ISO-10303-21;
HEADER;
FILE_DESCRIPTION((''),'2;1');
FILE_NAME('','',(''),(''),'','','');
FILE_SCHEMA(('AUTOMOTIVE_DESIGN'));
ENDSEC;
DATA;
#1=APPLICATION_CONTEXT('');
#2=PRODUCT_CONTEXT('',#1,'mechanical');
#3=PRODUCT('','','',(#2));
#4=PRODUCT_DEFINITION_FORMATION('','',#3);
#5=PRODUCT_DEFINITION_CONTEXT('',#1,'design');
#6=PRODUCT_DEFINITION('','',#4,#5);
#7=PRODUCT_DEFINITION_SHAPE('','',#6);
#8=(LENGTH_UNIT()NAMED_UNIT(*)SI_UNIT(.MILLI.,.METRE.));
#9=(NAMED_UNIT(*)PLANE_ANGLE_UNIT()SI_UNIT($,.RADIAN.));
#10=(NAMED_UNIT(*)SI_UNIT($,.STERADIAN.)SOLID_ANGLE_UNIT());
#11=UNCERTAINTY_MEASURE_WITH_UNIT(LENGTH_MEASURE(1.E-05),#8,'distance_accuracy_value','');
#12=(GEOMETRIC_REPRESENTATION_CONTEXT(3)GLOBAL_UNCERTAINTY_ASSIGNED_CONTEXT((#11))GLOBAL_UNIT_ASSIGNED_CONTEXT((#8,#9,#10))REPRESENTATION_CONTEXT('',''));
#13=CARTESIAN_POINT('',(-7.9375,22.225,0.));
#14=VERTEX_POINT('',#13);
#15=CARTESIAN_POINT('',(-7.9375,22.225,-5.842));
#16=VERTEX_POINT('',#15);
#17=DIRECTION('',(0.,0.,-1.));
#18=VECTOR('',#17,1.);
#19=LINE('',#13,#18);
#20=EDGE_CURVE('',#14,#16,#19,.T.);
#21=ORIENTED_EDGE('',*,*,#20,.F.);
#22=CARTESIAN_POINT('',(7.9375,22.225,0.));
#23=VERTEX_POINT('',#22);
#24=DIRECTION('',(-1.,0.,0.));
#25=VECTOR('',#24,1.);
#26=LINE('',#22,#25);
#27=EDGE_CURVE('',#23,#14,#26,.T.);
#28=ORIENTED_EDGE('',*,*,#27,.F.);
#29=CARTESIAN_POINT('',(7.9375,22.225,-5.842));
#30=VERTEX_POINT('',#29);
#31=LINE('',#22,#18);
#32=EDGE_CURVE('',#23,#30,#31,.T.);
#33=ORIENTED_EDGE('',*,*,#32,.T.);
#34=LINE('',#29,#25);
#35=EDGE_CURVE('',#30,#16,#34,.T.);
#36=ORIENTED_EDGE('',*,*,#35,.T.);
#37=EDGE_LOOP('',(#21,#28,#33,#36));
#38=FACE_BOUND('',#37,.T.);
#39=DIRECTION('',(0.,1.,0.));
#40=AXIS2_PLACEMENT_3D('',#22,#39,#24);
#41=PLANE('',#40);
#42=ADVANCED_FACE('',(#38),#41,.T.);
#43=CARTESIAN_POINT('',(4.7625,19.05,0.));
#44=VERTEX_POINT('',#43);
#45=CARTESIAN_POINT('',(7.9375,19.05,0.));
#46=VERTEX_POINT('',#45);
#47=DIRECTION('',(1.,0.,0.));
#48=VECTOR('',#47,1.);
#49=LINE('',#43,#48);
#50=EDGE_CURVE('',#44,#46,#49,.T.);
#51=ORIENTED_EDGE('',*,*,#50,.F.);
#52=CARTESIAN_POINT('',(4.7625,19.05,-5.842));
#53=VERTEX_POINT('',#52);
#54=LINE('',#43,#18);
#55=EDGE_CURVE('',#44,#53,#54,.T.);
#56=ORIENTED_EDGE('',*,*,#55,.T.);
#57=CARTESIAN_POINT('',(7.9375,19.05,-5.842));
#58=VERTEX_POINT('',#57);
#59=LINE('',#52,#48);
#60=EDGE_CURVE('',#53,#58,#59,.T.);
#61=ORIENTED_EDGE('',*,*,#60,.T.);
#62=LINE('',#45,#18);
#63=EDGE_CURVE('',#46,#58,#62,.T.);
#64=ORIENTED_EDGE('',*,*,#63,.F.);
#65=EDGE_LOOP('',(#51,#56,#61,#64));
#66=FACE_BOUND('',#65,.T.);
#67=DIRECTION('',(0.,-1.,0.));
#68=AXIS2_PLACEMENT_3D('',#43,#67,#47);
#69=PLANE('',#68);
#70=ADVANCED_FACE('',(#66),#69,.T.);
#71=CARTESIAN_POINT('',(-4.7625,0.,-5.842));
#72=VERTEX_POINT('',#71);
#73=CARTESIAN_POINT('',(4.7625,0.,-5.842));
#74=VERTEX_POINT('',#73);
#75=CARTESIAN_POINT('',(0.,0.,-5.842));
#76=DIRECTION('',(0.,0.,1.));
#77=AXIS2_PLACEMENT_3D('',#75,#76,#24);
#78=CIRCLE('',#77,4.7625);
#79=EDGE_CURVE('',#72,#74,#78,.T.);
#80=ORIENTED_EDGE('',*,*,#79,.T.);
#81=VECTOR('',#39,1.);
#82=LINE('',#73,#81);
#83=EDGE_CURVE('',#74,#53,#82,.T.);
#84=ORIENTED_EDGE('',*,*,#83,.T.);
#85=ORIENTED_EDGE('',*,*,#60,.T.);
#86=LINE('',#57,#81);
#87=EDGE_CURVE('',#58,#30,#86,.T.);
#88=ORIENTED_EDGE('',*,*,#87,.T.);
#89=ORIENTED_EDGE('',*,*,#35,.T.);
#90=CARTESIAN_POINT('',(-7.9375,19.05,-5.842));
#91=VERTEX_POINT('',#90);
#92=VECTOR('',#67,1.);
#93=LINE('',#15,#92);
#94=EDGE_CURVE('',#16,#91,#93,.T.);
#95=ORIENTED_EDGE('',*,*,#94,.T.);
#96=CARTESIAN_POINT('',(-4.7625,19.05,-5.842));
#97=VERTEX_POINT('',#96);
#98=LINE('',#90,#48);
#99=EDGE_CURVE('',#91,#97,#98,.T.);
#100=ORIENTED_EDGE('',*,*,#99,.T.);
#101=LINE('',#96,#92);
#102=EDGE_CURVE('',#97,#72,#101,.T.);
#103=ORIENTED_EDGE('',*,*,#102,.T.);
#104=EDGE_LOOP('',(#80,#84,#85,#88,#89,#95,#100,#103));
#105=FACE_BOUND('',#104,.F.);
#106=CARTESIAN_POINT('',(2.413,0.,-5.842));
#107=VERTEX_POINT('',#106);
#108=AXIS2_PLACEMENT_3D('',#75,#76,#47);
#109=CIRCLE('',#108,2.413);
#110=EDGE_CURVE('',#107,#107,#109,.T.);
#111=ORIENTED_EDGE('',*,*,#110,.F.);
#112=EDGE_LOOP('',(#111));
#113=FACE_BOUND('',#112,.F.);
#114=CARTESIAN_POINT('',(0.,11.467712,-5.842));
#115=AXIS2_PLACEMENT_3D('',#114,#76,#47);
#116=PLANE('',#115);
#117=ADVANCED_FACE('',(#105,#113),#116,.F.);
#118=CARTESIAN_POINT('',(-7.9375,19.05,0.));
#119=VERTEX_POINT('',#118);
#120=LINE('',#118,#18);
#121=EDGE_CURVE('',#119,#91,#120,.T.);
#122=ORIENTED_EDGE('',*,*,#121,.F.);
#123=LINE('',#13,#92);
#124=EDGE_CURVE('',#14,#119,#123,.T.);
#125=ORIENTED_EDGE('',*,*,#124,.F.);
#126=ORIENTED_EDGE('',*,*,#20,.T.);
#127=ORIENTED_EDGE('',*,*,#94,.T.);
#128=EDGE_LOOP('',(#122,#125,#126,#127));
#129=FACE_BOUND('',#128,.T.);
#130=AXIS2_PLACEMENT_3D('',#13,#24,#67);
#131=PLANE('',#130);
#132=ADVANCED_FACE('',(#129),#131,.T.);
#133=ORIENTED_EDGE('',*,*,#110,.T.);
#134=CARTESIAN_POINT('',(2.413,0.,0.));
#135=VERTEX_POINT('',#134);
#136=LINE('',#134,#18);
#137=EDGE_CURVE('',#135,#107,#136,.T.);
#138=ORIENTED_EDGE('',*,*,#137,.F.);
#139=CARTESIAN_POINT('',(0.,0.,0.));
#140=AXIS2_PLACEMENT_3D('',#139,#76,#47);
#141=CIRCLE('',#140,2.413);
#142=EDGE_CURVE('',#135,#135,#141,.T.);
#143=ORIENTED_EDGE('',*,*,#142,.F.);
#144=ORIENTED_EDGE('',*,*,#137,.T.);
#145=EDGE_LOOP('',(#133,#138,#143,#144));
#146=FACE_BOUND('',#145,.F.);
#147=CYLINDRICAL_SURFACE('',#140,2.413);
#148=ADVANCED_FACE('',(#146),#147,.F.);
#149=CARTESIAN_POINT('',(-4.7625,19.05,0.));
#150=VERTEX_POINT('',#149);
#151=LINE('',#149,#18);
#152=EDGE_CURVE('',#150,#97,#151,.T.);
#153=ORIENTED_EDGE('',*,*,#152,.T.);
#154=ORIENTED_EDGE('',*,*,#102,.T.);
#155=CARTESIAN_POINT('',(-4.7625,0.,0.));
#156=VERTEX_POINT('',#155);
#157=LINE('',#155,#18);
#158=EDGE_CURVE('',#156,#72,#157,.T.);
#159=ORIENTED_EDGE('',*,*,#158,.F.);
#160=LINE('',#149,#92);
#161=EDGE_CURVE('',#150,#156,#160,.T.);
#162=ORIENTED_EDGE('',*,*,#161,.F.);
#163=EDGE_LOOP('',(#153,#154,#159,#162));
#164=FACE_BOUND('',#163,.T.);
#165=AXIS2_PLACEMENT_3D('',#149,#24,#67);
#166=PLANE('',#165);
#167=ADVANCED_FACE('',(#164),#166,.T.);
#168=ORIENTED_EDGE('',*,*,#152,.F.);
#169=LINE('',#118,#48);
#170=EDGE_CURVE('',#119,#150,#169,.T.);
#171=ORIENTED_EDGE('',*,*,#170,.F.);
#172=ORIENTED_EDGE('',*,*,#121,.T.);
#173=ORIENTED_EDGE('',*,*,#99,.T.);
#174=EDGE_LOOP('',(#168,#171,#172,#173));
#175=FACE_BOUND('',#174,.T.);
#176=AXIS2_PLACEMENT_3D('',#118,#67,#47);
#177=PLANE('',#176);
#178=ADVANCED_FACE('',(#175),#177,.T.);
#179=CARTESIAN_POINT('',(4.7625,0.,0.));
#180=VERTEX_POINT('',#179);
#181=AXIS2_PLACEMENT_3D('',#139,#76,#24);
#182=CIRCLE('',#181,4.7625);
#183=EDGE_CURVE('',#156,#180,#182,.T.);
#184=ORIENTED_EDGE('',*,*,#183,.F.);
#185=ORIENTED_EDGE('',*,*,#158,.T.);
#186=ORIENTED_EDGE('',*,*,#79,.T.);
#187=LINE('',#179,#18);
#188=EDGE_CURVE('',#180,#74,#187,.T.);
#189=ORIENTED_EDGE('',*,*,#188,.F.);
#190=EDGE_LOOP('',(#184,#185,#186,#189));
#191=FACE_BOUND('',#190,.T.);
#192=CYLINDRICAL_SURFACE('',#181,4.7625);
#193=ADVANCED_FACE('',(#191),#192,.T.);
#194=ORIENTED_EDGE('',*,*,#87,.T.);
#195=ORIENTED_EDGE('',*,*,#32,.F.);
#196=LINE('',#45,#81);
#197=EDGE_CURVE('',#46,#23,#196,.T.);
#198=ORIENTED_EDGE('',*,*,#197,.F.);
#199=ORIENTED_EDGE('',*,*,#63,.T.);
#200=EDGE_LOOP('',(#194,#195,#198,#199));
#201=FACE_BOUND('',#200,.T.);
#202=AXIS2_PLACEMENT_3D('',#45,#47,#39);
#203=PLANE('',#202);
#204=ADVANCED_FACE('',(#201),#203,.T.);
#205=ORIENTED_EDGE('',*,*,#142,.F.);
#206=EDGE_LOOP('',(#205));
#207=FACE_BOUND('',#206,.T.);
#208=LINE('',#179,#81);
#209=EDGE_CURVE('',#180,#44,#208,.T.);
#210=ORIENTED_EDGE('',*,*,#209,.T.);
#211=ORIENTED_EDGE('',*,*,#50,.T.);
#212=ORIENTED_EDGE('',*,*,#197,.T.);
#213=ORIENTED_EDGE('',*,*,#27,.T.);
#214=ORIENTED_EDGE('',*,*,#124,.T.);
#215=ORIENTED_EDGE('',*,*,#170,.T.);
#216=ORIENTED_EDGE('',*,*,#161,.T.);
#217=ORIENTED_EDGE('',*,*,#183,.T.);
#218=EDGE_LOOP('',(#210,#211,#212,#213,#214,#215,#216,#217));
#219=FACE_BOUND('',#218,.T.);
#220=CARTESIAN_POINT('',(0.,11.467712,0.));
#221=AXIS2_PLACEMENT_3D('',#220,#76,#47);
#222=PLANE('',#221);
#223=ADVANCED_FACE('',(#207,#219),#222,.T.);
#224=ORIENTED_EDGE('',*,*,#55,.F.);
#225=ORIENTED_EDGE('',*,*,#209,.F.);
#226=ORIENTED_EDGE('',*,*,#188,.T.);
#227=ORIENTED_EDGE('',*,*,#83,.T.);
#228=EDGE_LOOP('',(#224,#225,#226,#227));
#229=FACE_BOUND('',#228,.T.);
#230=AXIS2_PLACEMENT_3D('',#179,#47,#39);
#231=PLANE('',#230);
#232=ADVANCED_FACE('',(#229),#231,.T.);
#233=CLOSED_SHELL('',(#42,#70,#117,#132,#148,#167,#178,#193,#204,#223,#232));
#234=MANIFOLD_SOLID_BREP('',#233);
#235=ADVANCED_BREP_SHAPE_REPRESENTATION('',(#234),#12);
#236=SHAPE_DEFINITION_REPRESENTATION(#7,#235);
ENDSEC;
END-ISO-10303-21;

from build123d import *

# Parameters (mm, degrees)
F0_R     = 2.413
F1_DEPTH = 5.842


with BuildPart() as f1:
    # F0 (on Top) → F1 (new body)
    with BuildSketch(Plane.XY):
        with BuildLine():
            Line((-4.7625, 19.05), (-4.7625, 0))
            ThreePointArc((-4.7625, 0), (0, -4.7625), (4.7625, 0))
            Line((4.7625, 0), (4.7625, 19.05))
            Line((4.7625, 19.05), (7.9375, 19.05))
            Line((7.9375, 19.05), (7.9375, 22.225))
            Line((7.9375, 22.225), (-7.9375, 22.225))
            Line((-7.9375, 22.225), (-7.9375, 19.05))
            Line((-7.9375, 19.05), (-4.7625, 19.05))
        make_face()
        Circle(F0_R, mode=Mode.SUBTRACT)
    extrude(amount=-F1_DEPTH)


solid = f1.part
